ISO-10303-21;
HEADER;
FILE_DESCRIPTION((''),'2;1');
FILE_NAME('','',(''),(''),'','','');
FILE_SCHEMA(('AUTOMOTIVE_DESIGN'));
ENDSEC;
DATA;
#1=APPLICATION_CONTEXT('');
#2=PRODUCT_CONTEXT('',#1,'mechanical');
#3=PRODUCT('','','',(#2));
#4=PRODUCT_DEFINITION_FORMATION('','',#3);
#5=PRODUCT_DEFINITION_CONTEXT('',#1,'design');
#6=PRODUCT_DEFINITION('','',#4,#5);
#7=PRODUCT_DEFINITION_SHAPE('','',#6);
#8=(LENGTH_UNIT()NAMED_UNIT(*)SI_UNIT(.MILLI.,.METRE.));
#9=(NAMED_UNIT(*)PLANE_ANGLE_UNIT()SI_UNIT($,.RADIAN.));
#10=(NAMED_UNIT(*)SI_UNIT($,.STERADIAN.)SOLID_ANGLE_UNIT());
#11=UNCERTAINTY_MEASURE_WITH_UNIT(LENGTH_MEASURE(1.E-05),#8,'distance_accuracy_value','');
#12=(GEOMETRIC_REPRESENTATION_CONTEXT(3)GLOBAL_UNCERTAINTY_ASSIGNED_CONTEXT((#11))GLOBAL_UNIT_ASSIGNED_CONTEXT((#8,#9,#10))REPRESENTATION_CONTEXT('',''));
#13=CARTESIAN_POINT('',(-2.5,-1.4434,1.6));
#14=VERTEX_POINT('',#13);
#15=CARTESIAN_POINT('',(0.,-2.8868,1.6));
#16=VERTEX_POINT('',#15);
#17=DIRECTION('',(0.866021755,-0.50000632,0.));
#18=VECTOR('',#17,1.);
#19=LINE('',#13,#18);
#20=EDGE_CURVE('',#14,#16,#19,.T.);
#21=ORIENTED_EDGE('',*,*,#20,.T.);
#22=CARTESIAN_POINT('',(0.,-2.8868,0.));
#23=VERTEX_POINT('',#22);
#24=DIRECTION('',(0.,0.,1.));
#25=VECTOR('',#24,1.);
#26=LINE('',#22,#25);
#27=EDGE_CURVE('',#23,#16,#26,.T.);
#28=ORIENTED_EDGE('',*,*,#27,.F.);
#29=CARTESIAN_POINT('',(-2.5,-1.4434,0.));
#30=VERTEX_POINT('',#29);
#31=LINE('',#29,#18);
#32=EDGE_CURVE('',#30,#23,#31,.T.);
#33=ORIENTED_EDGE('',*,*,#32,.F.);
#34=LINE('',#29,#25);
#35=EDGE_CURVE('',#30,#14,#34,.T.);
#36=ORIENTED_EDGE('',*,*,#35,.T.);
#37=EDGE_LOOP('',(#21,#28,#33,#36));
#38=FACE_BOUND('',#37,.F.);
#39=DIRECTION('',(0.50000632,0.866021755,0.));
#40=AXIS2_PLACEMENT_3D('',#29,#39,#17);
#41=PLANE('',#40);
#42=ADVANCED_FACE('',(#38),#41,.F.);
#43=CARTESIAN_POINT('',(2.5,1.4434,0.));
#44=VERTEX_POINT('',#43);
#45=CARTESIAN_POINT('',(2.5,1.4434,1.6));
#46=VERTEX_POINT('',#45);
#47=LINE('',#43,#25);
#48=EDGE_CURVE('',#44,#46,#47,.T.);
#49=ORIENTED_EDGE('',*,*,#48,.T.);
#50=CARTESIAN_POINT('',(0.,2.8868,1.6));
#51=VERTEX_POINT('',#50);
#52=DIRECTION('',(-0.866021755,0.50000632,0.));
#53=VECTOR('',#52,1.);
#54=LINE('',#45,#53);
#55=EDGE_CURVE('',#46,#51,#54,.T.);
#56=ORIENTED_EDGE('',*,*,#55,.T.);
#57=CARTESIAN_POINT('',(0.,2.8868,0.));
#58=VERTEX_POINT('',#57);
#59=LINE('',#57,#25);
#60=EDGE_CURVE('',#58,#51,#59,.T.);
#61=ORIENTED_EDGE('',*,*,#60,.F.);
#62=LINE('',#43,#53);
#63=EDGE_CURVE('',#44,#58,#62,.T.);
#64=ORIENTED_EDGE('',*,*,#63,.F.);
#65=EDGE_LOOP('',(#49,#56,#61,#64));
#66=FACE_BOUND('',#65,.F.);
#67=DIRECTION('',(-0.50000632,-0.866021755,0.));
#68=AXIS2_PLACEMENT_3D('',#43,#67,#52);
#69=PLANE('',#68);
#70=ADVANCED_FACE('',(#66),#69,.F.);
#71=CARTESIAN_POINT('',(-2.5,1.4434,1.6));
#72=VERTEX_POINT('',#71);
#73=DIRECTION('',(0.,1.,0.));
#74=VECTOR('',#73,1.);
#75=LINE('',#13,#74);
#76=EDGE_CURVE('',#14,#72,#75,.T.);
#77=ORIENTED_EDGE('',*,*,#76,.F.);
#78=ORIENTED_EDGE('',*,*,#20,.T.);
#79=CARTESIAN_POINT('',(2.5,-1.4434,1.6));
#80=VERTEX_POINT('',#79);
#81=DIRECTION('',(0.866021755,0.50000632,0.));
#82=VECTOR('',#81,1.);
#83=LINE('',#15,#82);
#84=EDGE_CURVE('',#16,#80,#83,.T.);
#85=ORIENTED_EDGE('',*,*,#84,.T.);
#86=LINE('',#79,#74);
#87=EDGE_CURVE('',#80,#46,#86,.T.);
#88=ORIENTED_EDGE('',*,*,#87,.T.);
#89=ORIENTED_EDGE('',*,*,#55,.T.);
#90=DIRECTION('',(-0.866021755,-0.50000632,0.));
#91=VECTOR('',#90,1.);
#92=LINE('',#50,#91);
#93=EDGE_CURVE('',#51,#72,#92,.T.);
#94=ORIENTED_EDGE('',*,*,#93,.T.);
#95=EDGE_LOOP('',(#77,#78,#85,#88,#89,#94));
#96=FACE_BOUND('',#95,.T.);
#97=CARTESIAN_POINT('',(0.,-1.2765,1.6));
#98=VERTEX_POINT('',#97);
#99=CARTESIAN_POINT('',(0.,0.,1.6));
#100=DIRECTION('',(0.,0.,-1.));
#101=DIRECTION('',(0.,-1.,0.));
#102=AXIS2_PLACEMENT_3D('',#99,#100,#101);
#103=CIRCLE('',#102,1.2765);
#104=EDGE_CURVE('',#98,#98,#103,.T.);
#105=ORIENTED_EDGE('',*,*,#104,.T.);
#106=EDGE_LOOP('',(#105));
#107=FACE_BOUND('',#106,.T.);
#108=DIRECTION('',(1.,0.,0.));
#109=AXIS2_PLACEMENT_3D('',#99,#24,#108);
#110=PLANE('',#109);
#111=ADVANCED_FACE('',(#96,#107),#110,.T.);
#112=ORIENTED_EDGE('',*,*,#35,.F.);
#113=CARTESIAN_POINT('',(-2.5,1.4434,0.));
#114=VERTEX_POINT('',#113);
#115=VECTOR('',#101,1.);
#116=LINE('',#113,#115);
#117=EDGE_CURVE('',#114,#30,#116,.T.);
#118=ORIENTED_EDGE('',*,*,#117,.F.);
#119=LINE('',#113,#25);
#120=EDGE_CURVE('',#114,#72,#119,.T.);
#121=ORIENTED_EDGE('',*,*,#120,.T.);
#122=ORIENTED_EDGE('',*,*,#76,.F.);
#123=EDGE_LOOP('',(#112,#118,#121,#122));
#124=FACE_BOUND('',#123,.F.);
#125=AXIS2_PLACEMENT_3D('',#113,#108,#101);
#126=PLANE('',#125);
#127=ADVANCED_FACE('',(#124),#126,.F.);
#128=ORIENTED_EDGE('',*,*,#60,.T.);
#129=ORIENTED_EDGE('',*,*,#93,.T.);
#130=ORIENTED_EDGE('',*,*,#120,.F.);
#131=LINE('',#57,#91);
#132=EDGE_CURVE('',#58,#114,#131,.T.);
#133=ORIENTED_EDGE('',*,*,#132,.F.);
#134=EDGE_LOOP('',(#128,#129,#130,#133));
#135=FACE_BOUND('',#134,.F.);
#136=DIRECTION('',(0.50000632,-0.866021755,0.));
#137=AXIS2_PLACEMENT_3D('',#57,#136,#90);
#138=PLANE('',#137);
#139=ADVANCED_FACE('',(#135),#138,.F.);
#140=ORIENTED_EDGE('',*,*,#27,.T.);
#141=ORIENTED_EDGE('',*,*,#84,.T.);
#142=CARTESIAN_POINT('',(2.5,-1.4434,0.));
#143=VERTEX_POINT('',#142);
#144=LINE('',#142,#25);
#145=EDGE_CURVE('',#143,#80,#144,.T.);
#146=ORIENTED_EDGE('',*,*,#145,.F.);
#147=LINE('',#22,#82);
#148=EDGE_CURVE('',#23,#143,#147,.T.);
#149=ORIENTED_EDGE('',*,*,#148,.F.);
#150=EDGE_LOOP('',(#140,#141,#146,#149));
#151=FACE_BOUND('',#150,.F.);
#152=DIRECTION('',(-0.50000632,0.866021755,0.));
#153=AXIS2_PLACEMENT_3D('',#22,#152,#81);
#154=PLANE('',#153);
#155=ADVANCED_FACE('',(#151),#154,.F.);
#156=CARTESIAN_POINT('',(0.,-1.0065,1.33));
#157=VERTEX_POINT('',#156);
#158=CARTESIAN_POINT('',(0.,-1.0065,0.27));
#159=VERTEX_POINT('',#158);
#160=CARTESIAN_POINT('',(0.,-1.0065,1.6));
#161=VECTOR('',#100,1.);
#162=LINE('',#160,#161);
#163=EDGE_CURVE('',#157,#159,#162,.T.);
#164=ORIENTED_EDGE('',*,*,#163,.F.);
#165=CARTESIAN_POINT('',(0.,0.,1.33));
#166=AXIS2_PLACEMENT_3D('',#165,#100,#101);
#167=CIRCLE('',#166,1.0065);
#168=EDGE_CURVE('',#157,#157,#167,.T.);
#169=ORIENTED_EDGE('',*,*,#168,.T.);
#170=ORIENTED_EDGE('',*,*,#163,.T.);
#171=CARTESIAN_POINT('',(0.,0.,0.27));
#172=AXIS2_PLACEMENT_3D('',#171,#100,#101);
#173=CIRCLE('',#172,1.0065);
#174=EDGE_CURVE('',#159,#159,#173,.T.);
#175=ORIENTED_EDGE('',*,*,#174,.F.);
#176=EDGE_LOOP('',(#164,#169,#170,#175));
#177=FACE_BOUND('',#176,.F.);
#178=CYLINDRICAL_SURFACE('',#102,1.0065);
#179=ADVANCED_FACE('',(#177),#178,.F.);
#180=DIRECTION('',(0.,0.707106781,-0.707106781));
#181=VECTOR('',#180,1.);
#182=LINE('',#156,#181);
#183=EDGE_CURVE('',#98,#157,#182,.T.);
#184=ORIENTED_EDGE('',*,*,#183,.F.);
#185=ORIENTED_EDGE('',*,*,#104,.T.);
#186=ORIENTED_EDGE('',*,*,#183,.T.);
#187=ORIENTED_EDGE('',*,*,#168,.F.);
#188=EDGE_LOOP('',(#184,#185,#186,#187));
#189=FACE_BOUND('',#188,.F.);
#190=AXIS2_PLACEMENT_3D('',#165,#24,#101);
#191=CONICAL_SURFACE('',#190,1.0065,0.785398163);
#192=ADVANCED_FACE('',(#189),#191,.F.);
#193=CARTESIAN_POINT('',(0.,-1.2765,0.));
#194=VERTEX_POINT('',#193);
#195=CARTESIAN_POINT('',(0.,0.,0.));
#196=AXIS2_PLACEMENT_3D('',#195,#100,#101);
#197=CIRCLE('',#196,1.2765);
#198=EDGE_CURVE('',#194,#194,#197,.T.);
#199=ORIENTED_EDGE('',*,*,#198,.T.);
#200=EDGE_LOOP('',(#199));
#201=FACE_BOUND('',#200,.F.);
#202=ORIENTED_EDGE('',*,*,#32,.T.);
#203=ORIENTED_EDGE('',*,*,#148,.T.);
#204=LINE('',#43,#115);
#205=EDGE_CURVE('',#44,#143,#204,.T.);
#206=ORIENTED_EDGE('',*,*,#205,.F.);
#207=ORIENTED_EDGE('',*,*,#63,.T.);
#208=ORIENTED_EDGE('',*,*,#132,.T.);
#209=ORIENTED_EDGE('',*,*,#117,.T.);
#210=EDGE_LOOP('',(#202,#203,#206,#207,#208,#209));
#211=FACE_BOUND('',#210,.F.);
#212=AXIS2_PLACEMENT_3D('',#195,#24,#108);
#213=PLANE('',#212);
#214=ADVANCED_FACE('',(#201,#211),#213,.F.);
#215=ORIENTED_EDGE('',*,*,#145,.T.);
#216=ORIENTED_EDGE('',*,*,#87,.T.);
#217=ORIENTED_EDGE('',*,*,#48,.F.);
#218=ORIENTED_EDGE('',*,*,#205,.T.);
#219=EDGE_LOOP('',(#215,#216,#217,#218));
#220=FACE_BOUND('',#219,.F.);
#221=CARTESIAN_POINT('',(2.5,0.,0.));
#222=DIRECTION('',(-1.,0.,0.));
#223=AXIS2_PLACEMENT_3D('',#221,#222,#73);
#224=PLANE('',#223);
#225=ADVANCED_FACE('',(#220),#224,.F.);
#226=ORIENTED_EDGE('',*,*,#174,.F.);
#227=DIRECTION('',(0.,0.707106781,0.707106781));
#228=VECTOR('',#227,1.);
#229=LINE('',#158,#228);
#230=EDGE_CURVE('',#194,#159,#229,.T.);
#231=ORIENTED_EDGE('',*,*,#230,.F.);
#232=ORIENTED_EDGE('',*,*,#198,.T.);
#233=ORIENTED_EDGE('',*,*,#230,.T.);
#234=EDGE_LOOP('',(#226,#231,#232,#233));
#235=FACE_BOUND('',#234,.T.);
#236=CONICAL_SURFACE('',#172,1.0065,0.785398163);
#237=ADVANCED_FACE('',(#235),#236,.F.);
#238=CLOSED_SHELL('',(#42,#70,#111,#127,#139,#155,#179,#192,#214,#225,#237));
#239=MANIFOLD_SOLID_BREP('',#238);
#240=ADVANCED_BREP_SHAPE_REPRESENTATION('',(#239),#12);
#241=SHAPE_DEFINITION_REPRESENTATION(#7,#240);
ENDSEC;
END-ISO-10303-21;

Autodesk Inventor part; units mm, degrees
sketch "Эскиз1" plane through (0, 0, 0) normal (0, 0, 1) x (1, 0, 0)
  circle A0 centre (0, 0) radius 2.5 construction
  line L0 (-2.5, 1.4434) -> (-2.5, -1.4434)
  line L1 (-2.5, -1.4434) -> (0, -2.8868)
  line L2 (0, -2.8868) -> (2.5, -1.4434)
  line L3 (2.5, -1.4434) -> (2.5, 1.4434)
  line L4 (2.5, 1.4434) -> (0, 2.8868)
  line L5 (0, 2.8868) -> (-2.5, 1.4434)
  line L6 (0, 4.0415) -> (0, -4.0415) projected
  line L7 (-3.5, 0) -> (3.5, 0) projected
  point P0 (0, 0)
  dimension "ParS" = 5
extrude "Выдавливание1" add sketch "Эскиз1" along normal blind 1.6
sketch "Эскиз2" plane through (0, 0, 1.6) normal (0, 0, 1) x (1, 0, 0)
  point P0 (0, 0)
  point P1 (0, 0)
hole "Отверстие1" at (0, 0, 1.6) direction (0, 0, -1) diameter 2.013 end through all thread size "M2.5x0.45" class "6H" standard "ISO Metric profile"
ref_plane "MSC_PT1" through (0, 0, 1.6) normal (0, 0, 1) x (1, 0, 0)
ref_plane "MSC_PT2" through (0, 0, 0) normal (0, 0, -1) x (-1, 0, 0)
ref_plane "MSC_PF1" through (0, 0, 0) normal (1, 0, 0) x (0, 1, 0)
chamfer "Фаска1" distance 0.27 angle 45 2 edges at (0, 1.0065, 1.6) (0, 1.0065, 0)
equation "\"d4\" = M"
equation "\"d17\" = 0.6 * PTC"
equation "\"d18\" = 0.6 * PTC"
equation "\"PTC\" = 0.45"
equation "\"NND\" = 2.5"
equation "\"THREADDIA\" = NND"
properties part number "BS EN 24 036 - M2.5" material "Сталь, мягкая"
